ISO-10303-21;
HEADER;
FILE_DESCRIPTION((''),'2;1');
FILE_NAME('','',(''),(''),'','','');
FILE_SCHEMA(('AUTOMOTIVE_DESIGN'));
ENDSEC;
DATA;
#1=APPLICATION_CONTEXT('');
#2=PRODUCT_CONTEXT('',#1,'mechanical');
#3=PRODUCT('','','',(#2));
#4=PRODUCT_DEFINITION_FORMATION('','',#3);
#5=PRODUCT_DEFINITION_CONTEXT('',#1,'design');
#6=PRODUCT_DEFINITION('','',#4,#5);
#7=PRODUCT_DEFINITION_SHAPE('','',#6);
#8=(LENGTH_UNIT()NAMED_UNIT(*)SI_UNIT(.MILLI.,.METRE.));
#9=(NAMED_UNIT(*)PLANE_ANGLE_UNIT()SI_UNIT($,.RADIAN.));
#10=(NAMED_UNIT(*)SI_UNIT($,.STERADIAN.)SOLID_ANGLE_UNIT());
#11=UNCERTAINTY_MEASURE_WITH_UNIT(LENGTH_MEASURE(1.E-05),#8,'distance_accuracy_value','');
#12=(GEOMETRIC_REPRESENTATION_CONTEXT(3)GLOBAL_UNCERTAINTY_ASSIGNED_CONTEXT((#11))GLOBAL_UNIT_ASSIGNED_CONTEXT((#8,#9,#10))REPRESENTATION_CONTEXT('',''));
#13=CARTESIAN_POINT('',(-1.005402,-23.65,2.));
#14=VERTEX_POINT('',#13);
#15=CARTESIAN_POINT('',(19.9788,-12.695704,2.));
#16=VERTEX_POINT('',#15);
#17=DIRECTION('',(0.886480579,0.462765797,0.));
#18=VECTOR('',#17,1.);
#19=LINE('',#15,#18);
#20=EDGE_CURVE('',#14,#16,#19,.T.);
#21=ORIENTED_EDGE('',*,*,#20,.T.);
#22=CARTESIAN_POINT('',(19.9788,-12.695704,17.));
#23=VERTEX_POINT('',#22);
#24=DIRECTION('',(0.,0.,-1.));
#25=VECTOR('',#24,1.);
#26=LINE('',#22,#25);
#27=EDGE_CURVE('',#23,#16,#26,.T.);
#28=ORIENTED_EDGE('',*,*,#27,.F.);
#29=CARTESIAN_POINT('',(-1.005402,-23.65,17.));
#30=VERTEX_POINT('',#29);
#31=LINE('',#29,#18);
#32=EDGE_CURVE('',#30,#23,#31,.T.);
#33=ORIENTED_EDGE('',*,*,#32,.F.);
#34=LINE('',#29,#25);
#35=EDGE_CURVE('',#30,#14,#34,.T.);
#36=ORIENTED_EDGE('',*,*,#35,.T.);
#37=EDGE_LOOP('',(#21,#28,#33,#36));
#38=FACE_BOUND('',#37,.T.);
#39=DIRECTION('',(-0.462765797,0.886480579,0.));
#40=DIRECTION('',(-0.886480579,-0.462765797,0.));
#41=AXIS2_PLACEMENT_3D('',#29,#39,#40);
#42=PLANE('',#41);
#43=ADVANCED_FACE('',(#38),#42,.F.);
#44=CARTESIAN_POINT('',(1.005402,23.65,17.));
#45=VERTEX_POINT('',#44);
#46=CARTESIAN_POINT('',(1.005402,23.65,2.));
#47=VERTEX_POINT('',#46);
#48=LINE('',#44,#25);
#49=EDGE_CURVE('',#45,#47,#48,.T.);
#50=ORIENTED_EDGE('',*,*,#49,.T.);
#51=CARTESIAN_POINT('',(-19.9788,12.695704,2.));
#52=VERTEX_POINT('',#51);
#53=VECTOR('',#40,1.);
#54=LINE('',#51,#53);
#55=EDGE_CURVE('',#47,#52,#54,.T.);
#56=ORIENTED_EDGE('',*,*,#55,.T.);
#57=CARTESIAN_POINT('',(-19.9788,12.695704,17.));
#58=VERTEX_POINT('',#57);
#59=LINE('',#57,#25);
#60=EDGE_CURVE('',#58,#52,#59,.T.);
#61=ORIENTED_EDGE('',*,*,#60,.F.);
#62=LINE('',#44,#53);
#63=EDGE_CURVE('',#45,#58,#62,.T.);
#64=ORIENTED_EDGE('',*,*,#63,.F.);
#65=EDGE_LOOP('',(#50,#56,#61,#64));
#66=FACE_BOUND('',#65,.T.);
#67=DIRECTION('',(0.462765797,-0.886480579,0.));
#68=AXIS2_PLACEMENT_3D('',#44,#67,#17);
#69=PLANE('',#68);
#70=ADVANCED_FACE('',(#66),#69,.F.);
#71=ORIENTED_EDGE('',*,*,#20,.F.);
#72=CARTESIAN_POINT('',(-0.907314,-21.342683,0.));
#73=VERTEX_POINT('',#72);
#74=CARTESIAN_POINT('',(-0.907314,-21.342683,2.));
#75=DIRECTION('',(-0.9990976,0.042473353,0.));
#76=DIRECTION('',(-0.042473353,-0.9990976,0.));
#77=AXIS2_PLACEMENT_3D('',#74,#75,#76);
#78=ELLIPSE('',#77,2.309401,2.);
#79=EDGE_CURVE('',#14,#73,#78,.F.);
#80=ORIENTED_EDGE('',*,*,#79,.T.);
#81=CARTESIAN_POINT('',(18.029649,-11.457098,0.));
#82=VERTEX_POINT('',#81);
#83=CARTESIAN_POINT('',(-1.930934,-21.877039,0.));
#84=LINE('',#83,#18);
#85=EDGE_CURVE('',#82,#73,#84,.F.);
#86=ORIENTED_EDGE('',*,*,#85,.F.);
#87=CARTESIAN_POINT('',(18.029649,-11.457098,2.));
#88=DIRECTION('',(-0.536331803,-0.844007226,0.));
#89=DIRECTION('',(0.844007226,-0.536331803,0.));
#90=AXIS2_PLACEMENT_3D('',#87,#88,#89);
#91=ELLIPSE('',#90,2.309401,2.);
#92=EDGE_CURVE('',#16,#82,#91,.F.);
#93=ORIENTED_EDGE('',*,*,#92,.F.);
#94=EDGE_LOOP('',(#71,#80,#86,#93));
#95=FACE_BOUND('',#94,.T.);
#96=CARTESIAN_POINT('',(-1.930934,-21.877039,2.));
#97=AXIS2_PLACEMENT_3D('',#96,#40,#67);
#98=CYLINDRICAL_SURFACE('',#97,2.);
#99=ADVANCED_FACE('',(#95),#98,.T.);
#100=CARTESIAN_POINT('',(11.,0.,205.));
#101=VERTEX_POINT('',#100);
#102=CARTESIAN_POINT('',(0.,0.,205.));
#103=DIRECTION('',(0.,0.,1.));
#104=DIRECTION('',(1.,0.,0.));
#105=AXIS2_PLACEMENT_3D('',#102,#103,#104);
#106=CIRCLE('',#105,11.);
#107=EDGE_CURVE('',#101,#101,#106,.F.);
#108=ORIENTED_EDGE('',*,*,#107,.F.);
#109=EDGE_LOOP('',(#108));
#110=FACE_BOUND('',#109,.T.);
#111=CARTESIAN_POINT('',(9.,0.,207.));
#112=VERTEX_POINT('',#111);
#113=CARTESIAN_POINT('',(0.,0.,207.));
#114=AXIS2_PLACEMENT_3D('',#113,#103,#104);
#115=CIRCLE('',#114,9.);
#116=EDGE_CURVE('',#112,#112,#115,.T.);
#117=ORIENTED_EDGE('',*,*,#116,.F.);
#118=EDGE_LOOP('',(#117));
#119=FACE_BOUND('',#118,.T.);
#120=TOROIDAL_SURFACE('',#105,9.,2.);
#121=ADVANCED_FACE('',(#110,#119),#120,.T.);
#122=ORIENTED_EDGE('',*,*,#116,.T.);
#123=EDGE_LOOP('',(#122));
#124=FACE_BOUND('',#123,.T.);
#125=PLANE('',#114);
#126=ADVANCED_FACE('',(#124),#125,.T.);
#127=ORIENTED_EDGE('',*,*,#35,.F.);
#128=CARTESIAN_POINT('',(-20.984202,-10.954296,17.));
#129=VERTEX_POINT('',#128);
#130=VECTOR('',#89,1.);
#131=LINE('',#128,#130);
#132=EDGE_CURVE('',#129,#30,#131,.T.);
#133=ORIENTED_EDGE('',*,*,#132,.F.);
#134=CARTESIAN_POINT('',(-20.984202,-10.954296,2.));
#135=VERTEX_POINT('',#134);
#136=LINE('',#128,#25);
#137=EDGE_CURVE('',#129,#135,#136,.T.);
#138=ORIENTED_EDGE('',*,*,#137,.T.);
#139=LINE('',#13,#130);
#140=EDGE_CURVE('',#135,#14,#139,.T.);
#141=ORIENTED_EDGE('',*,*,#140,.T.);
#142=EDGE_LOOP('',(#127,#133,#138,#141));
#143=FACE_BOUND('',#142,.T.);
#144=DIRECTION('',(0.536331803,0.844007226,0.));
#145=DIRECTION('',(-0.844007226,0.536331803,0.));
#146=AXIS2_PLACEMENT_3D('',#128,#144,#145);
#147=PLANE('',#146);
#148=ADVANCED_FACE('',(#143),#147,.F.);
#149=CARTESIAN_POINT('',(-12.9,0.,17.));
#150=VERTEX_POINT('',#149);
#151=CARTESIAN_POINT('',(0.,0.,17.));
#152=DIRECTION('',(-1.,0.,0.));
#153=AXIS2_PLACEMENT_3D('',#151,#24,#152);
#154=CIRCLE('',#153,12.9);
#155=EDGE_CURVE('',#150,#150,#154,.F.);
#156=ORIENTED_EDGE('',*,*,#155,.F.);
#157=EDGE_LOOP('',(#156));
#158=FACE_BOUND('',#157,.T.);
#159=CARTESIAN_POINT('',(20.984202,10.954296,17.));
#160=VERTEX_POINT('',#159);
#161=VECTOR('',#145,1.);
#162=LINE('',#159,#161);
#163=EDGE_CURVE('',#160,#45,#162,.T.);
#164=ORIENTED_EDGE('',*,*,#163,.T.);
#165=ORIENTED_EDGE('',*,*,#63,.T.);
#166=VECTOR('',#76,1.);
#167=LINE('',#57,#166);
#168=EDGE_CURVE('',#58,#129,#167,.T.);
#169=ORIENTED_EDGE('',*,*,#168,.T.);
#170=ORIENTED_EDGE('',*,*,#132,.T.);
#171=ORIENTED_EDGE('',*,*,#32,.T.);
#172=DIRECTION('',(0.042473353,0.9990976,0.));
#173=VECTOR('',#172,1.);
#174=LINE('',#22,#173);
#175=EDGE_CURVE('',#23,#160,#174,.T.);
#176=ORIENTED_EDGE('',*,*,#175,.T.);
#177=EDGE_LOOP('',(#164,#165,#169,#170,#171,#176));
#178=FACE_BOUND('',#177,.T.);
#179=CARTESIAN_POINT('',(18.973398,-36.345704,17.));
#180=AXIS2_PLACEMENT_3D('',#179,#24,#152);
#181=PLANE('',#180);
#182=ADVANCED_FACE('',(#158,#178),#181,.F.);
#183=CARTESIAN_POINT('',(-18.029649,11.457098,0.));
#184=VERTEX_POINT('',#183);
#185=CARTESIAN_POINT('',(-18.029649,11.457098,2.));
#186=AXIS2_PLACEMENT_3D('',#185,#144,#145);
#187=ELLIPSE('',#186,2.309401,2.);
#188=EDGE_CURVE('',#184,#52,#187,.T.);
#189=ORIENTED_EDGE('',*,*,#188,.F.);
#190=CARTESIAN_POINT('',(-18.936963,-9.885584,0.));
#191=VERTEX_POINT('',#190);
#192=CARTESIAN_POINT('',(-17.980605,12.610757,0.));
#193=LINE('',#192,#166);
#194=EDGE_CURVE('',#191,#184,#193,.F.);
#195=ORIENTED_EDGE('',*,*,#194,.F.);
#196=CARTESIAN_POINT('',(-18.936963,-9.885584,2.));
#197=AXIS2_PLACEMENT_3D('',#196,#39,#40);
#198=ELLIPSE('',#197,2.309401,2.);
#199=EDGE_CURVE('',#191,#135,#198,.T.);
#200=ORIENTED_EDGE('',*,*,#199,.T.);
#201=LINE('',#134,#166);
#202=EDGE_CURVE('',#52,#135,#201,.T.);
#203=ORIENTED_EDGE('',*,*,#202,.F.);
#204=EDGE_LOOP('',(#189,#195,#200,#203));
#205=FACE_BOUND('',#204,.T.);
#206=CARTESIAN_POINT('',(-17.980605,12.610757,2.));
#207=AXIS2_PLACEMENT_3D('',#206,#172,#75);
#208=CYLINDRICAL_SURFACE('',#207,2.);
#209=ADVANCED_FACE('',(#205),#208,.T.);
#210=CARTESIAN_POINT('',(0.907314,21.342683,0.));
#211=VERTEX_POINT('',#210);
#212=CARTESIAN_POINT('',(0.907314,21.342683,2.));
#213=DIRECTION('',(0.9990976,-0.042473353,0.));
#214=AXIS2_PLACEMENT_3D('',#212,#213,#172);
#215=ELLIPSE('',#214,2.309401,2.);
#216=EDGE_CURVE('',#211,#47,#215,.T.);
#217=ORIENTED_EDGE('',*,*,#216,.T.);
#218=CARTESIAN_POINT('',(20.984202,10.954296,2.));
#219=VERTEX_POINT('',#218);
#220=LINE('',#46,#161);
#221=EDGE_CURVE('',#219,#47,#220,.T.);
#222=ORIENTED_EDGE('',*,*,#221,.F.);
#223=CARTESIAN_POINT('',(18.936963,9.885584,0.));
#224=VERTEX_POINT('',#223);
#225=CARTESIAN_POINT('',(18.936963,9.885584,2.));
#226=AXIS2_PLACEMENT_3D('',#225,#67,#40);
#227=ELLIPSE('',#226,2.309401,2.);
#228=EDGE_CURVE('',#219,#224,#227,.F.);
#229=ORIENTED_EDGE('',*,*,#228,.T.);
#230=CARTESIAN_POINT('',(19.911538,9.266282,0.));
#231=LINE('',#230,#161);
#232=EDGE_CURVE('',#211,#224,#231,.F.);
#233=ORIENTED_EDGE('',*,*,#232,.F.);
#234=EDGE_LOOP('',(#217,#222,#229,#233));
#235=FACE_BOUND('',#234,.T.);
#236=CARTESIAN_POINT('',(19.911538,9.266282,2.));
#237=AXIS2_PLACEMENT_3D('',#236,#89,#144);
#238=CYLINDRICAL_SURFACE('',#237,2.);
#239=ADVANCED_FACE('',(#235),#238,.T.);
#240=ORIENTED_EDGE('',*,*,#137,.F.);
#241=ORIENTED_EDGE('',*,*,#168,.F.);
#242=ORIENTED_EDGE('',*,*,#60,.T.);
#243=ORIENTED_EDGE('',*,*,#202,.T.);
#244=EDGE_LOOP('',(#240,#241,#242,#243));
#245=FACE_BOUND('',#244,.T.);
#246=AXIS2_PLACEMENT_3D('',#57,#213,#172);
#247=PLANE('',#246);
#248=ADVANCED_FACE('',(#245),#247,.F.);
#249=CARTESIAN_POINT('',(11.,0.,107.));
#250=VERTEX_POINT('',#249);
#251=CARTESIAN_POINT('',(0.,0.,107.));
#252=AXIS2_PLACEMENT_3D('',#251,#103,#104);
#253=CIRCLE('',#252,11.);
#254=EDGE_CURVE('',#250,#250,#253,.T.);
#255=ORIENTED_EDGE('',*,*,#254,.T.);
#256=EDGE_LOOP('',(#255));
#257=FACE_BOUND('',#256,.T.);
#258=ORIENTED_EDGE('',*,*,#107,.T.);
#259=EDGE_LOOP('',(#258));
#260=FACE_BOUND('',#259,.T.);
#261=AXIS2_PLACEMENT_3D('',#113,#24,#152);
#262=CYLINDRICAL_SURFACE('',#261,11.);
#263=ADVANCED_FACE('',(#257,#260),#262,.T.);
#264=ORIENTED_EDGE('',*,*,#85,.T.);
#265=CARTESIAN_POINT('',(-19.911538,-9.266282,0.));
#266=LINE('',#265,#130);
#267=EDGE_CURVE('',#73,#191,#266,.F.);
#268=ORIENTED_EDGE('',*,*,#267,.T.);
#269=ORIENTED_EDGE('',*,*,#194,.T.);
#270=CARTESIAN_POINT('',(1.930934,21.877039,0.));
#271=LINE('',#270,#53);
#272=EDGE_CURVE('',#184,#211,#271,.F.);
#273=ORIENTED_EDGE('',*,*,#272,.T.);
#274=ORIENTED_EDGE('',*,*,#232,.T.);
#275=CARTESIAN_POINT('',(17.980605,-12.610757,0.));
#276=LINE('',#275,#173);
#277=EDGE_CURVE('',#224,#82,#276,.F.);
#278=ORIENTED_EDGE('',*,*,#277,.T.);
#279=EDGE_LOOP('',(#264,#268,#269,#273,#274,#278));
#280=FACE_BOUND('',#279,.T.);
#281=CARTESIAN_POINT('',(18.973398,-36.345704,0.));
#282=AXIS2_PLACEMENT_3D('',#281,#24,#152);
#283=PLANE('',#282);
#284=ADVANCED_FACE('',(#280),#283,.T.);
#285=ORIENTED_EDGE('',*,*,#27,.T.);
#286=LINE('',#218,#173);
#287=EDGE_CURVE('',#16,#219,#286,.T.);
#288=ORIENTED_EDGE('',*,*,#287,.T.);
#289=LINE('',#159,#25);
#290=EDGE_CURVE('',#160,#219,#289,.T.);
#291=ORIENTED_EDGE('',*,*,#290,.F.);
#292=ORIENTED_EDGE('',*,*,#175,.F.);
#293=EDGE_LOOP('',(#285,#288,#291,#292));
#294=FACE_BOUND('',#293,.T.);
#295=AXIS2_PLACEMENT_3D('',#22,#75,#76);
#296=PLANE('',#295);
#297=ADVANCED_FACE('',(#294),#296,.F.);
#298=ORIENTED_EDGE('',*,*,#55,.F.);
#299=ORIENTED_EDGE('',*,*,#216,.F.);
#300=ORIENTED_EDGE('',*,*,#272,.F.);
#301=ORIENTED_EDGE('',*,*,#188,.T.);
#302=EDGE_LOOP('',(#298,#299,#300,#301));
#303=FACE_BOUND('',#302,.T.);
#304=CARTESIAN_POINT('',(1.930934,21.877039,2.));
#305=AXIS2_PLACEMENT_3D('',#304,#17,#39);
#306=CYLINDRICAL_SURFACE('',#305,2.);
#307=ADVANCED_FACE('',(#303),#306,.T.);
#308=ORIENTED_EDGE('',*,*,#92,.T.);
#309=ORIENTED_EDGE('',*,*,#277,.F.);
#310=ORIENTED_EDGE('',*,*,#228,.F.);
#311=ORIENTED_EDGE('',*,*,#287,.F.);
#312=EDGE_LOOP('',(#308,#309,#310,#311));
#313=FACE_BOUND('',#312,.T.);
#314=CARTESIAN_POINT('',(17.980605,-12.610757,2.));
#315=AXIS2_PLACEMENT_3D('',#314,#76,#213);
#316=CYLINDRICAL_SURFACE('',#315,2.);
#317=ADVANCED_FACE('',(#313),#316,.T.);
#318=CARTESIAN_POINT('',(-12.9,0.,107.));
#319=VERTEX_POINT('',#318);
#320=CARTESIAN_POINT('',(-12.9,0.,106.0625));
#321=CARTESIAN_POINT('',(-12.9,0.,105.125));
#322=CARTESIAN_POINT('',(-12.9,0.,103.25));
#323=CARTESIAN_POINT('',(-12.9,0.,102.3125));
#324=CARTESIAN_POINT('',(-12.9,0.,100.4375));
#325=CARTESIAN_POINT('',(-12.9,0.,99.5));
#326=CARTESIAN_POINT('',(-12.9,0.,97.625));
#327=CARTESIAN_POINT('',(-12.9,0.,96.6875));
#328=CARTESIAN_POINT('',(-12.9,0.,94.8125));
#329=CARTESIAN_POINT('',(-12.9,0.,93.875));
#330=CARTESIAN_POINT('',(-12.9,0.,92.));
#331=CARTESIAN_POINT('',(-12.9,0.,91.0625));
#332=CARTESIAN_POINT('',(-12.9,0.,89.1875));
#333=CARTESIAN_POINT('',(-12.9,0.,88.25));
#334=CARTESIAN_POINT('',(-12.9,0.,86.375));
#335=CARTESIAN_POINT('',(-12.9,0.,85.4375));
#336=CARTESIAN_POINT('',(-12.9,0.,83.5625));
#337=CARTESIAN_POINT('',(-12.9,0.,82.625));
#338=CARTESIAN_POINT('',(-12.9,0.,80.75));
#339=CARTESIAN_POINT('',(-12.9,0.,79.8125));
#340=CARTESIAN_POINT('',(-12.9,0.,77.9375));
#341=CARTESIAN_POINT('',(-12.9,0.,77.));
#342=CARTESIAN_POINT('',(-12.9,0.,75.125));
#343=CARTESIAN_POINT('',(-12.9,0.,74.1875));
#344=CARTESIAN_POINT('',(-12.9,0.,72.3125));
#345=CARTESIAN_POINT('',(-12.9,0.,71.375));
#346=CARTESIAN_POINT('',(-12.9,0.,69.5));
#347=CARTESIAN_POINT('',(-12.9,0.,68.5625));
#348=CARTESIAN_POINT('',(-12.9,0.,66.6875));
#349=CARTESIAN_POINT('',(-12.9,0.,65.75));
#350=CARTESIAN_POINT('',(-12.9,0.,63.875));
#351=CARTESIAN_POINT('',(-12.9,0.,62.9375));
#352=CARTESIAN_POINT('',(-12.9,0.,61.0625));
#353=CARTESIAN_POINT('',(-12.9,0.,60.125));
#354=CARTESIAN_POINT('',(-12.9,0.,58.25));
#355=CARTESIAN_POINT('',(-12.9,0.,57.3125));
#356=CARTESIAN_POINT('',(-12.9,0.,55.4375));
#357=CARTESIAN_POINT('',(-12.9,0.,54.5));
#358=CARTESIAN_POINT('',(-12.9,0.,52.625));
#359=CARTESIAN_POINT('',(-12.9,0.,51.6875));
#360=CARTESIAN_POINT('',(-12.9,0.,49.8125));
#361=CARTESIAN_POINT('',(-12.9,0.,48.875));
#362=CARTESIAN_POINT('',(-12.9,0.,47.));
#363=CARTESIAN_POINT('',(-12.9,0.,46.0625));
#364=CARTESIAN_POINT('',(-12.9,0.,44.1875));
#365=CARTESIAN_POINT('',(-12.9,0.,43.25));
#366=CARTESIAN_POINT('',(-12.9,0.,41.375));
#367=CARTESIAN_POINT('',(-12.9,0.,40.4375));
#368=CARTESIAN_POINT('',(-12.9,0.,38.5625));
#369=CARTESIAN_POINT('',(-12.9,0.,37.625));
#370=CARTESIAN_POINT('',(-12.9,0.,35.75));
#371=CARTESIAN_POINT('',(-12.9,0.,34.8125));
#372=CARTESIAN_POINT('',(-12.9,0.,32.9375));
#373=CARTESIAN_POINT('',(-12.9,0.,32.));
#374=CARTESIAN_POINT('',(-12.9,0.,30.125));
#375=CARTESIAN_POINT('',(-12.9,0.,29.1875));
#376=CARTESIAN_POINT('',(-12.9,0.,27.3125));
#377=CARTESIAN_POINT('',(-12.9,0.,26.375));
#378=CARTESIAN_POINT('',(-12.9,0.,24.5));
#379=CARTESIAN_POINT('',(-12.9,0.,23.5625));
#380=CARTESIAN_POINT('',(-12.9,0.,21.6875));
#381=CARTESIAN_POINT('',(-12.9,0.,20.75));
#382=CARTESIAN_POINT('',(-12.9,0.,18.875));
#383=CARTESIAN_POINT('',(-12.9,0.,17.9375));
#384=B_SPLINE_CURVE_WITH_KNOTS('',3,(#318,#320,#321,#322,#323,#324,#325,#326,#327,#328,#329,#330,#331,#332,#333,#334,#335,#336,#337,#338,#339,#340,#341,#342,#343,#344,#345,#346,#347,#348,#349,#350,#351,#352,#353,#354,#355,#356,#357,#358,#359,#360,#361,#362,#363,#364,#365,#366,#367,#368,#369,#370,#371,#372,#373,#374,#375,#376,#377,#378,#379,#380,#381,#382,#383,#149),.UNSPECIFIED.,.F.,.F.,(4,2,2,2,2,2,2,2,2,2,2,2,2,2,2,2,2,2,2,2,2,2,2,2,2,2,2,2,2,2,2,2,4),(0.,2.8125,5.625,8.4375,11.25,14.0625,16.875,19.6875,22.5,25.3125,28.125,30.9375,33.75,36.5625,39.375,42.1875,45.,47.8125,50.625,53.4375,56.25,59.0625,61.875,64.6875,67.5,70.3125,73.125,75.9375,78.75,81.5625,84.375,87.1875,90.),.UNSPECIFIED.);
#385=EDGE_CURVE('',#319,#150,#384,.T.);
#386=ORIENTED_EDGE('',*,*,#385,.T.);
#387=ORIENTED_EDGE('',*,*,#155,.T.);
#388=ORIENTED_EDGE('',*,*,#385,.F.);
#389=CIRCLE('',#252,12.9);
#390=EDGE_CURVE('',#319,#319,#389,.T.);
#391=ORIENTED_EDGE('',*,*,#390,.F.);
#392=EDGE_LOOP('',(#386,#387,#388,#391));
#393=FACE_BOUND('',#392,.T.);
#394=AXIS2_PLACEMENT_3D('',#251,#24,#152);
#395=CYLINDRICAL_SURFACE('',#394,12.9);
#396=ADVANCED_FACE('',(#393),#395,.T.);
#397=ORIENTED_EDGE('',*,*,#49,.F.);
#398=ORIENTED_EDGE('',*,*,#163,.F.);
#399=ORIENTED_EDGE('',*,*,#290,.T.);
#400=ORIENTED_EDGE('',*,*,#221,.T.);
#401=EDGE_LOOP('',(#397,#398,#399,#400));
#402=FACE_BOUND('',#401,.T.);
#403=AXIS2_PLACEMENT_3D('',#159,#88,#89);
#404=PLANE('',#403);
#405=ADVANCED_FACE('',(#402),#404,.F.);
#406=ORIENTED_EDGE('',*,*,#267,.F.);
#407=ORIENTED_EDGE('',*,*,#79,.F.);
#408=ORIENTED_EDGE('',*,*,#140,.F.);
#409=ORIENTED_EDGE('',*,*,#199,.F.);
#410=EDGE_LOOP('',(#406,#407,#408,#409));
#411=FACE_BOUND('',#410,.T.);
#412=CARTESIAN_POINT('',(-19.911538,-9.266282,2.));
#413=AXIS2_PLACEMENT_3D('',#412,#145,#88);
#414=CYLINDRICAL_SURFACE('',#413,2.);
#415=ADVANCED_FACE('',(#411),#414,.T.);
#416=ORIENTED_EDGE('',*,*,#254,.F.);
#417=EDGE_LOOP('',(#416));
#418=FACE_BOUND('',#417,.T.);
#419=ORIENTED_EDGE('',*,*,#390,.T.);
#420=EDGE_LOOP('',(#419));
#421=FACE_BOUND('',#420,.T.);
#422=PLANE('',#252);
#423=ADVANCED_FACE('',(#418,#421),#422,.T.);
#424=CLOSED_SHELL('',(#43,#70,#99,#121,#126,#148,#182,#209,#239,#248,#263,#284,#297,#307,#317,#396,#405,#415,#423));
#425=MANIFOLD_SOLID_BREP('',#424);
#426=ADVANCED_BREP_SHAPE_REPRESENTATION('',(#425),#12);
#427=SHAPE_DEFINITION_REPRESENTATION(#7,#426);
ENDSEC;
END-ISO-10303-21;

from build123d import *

# Parameters (mm, degrees)
EXTRUDE_275_DEPTH = 17
SKETCH_2_R        = 12.9
EXTRUDE_1_DEPTH   = 90
FILLET_3_R        = 2
SKETCH_3_R        = 11
EXTRUDE_2_DEPTH   = 100
FILLET_4_R        = 2


with BuildPart() as part:
    # 草图1 → Extrude 275 (new body)
    with BuildSketch(Plane.XY):
        Polygon((20.984201837, 10.954296262), (1.005402075, 23.65), (-19.978799762, 12.695703738), (-20.984201837, -10.954296262), (-1.005402075, -23.65), (19.978799762, -12.695703738), align=None)
    extrude(amount=EXTRUDE_275_DEPTH)

    # 草图2 → 凸台-拉伸1 (add)
    with BuildSketch(Plane.XY.offset(17)):
        with Locations(Location((0, 0, 0), (0, 0, 180))):
            Circle(SKETCH_2_R)
    extrude(amount=EXTRUDE_1_DEPTH)

    # 圆角3
    fillet_3_edges = [part.edges().sort_by_distance(p)[0] for p in [
        (9.486698843, -18.172851869, 0),
        (-10.994801956, -17.302148131, 0),
        (-20.4815008, 0.870703738, 0),
        (-9.486698843, 18.172851869, 0),
        (10.994801956, 17.302148131, 0),
        (20.4815008, -0.870703738, 0),
    ]]
    fillet(fillet_3_edges, radius=FILLET_3_R)

    # 草图3 → 凸台-拉伸2 (add)
    with BuildSketch(Plane.XY.offset(107)):
        Circle(SKETCH_3_R)
    extrude(amount=EXTRUDE_2_DEPTH)

    # 圆角4
    fillet_4_edges = [part.edges().sort_by_distance(p)[0] for p in [
        (-11, 0, 207),
    ]]
    fillet(fillet_4_edges, radius=FILLET_4_R)


solid = part.part
